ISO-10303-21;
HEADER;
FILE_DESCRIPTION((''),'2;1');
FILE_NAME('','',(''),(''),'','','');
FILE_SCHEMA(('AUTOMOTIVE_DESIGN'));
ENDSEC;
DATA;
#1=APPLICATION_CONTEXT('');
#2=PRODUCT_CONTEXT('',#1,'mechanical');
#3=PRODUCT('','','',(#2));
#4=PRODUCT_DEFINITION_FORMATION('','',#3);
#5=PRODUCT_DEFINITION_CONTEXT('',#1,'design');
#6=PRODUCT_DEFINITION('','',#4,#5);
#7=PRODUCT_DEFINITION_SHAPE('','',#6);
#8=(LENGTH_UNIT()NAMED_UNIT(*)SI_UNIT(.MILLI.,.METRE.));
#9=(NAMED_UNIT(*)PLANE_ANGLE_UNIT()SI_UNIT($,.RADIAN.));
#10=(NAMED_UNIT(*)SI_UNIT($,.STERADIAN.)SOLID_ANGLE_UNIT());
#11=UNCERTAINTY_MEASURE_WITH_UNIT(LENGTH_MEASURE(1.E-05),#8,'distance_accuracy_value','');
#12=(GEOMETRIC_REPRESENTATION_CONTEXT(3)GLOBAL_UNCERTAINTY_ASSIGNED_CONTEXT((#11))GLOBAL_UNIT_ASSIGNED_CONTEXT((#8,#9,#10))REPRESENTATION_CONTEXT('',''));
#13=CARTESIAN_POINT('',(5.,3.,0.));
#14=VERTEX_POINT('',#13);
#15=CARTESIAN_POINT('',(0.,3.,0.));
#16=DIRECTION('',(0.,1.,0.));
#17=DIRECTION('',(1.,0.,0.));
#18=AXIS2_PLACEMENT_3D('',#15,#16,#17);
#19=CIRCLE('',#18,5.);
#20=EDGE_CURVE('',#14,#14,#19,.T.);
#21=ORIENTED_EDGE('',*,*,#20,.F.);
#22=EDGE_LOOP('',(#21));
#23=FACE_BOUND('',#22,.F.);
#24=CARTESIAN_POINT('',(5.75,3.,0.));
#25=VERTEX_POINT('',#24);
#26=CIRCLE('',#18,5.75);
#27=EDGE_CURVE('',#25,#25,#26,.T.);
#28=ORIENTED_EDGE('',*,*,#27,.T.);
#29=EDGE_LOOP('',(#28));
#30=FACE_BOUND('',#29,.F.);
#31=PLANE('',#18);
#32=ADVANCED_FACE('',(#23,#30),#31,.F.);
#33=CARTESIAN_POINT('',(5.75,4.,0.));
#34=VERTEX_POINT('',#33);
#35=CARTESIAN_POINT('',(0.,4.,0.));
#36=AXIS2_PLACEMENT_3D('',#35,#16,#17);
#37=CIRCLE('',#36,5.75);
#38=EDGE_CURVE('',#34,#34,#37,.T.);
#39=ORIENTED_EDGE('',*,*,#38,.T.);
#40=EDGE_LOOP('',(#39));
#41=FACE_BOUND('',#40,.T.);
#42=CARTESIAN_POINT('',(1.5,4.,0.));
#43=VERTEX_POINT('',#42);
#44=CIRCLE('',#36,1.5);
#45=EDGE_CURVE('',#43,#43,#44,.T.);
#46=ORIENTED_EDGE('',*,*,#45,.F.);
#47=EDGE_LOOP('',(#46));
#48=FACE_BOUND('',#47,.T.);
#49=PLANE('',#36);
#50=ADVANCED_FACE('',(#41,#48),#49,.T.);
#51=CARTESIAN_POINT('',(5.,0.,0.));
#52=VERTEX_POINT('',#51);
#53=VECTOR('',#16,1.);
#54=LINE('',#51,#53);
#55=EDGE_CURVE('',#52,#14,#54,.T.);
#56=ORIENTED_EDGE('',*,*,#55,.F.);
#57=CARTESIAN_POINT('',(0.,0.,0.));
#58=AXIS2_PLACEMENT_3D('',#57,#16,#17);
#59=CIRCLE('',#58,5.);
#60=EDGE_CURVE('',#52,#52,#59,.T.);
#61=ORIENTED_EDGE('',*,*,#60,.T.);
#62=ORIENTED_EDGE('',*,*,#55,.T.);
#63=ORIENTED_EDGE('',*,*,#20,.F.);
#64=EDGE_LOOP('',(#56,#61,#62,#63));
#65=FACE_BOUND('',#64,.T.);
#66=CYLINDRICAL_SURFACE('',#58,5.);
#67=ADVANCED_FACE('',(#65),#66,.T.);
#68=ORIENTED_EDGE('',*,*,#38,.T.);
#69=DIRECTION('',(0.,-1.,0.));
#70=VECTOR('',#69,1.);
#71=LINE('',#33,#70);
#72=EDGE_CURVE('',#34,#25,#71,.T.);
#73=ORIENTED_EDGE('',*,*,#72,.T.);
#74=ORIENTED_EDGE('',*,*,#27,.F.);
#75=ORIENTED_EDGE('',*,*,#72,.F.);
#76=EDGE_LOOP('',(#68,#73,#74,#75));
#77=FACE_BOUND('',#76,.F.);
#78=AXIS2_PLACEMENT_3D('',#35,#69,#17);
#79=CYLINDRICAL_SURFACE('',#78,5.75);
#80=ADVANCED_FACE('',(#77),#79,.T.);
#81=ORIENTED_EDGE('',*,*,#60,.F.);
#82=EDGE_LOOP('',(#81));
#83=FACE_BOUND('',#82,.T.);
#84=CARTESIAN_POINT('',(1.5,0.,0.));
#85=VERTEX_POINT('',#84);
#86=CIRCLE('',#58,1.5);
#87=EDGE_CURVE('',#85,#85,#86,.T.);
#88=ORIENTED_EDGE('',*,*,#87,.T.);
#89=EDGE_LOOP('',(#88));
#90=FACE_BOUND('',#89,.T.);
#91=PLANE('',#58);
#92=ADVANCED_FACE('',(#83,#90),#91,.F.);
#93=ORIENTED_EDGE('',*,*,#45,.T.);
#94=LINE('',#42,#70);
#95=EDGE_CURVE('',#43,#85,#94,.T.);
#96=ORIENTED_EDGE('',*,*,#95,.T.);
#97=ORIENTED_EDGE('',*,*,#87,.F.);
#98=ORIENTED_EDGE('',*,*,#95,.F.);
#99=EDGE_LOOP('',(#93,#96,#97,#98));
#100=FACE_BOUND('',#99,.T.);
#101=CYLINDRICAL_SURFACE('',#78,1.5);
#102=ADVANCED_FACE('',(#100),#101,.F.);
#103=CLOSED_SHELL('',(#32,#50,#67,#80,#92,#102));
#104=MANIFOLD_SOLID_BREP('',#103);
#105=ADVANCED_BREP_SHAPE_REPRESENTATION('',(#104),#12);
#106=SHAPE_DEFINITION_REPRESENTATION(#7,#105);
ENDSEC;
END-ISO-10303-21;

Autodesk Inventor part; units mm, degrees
ref_plane "YZ Plane" through (0, 0, 0) normal (1, 0, 0) x (0, 1, 0)
ref_plane "XZ Plane" through (0, 0, 0) normal (0, 1, 0) x (-1, 0, 0)
ref_plane "XY Plane" through (0, 0, 0) normal (0, 0, 1) x (1, 0, 0)
sketch "Sketch1" plane through (0, 0, 0) normal (0, 0, 1) x (1, 0, 0)
  line L0 (1.5, 0) -> (5, 0)
  line L1 (5, 0) -> (5, 4)
  line L2 (5, 4) -> (1.5, 4)
  line L3 (1.5, 4) -> (1.5, 0)
  line L4 (5, 4) -> (5.75, 4)
  line L5 (5.75, 4) -> (5.75, 3)
  line L6 (5.75, 3) -> (5, 3)
  line L7 (5, 3) -> (5, 4)
  line L8 (0, 0) -> (0, 6.6481) construction
  dimension "d0" = 1.5
  dimension "d1" = 5
  dimension "d2" = 0.75
  dimension "d3" = 4
  dimension "d4" = 1
revolve "Revolution1" add sketch "Sketch1" angle 360 about axis through (0, 0, 0) along (0, 1, 0)
properties part number "bearing flanged 10x3x4mm"
